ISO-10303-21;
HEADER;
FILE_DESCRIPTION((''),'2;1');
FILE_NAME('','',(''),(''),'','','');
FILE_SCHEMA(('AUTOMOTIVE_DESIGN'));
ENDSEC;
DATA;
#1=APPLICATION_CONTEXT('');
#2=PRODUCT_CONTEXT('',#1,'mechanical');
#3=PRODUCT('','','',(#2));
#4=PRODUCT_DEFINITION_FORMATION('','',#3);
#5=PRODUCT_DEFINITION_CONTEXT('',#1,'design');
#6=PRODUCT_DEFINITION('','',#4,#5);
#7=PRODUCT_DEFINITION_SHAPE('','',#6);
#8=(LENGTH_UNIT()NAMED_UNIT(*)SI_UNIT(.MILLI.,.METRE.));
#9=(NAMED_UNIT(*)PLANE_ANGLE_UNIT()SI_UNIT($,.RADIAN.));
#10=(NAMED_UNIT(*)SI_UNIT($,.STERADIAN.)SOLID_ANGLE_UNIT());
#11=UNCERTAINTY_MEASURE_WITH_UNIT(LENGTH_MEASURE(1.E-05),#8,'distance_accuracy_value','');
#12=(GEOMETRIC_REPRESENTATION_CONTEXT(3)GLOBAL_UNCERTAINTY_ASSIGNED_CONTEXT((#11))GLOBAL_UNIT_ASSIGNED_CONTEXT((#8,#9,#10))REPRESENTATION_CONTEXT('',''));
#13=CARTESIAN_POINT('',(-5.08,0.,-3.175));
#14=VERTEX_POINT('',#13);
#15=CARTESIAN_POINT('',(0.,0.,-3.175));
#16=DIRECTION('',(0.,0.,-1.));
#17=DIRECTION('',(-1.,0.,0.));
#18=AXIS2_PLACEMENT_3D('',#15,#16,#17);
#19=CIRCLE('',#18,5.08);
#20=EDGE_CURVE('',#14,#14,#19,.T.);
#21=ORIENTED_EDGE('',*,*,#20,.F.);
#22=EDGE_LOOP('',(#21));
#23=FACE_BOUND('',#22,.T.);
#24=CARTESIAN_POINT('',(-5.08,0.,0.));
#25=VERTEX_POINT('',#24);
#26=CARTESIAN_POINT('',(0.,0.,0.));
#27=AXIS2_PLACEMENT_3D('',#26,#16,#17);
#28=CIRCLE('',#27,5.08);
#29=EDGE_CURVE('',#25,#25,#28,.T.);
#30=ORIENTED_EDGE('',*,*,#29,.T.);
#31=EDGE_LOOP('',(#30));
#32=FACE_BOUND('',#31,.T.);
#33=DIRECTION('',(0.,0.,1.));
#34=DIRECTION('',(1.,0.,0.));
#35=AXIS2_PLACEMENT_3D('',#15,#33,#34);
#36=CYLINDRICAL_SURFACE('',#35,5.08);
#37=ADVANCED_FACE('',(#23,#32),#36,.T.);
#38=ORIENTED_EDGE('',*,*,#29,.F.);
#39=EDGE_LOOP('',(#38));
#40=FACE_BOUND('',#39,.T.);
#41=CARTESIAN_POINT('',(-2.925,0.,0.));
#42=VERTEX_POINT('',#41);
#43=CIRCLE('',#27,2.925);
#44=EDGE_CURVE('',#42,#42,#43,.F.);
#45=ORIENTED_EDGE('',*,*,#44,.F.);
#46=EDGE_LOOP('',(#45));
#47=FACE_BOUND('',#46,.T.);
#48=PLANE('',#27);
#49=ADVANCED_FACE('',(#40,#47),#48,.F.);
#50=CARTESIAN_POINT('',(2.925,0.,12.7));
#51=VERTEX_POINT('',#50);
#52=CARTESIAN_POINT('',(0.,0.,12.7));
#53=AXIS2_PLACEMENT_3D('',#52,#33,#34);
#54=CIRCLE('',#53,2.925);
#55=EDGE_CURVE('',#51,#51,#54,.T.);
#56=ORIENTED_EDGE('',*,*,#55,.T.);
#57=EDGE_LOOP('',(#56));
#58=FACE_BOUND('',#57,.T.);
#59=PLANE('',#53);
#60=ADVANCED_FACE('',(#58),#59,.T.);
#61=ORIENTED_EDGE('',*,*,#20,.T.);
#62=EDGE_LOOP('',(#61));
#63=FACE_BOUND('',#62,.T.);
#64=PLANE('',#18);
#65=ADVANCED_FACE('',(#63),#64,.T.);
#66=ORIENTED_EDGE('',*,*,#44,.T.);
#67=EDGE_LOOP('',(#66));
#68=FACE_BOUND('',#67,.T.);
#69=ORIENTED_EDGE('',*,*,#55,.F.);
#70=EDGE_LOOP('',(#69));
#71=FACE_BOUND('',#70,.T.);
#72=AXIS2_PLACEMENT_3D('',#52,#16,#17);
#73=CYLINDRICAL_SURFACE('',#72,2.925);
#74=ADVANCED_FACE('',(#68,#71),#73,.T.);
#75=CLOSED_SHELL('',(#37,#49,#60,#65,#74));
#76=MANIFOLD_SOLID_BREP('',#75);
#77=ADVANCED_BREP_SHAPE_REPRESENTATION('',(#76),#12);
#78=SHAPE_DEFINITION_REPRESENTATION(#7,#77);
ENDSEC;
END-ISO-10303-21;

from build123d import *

# Parameters (mm, degrees)
SKETCH1_R           = 3.175
BOSS_EXTRUDE1_DEPTH = 12.7
SKETCH2_R           = 5.08
BOSS_EXTRUDE2_DEPTH = 3.175
MOVE_FACE1_BY       = 0.250000008


with BuildPart() as part:
    # Sketch1 → Boss-Extrude1 (new body)
    with BuildSketch(Plane.XY):
        Circle(SKETCH1_R)
    extrude(amount=BOSS_EXTRUDE1_DEPTH)

    # Sketch2 → Boss-Extrude2 (add)
    with BuildSketch(Plane(origin=(0, 0, 0), x_dir=(-1, 0, 0), z_dir=(0, 0, -1))):
        Circle(SKETCH2_R)
    extrude(amount=BOSS_EXTRUDE2_DEPTH)

    # Move Face1: a curved face moved inward by 0.25
    add(Solid.thicken(part.faces().sort_by_distance((-3.175, 0, 6.35))[0], -MOVE_FACE1_BY), mode=Mode.SUBTRACT)


solid = part.part
